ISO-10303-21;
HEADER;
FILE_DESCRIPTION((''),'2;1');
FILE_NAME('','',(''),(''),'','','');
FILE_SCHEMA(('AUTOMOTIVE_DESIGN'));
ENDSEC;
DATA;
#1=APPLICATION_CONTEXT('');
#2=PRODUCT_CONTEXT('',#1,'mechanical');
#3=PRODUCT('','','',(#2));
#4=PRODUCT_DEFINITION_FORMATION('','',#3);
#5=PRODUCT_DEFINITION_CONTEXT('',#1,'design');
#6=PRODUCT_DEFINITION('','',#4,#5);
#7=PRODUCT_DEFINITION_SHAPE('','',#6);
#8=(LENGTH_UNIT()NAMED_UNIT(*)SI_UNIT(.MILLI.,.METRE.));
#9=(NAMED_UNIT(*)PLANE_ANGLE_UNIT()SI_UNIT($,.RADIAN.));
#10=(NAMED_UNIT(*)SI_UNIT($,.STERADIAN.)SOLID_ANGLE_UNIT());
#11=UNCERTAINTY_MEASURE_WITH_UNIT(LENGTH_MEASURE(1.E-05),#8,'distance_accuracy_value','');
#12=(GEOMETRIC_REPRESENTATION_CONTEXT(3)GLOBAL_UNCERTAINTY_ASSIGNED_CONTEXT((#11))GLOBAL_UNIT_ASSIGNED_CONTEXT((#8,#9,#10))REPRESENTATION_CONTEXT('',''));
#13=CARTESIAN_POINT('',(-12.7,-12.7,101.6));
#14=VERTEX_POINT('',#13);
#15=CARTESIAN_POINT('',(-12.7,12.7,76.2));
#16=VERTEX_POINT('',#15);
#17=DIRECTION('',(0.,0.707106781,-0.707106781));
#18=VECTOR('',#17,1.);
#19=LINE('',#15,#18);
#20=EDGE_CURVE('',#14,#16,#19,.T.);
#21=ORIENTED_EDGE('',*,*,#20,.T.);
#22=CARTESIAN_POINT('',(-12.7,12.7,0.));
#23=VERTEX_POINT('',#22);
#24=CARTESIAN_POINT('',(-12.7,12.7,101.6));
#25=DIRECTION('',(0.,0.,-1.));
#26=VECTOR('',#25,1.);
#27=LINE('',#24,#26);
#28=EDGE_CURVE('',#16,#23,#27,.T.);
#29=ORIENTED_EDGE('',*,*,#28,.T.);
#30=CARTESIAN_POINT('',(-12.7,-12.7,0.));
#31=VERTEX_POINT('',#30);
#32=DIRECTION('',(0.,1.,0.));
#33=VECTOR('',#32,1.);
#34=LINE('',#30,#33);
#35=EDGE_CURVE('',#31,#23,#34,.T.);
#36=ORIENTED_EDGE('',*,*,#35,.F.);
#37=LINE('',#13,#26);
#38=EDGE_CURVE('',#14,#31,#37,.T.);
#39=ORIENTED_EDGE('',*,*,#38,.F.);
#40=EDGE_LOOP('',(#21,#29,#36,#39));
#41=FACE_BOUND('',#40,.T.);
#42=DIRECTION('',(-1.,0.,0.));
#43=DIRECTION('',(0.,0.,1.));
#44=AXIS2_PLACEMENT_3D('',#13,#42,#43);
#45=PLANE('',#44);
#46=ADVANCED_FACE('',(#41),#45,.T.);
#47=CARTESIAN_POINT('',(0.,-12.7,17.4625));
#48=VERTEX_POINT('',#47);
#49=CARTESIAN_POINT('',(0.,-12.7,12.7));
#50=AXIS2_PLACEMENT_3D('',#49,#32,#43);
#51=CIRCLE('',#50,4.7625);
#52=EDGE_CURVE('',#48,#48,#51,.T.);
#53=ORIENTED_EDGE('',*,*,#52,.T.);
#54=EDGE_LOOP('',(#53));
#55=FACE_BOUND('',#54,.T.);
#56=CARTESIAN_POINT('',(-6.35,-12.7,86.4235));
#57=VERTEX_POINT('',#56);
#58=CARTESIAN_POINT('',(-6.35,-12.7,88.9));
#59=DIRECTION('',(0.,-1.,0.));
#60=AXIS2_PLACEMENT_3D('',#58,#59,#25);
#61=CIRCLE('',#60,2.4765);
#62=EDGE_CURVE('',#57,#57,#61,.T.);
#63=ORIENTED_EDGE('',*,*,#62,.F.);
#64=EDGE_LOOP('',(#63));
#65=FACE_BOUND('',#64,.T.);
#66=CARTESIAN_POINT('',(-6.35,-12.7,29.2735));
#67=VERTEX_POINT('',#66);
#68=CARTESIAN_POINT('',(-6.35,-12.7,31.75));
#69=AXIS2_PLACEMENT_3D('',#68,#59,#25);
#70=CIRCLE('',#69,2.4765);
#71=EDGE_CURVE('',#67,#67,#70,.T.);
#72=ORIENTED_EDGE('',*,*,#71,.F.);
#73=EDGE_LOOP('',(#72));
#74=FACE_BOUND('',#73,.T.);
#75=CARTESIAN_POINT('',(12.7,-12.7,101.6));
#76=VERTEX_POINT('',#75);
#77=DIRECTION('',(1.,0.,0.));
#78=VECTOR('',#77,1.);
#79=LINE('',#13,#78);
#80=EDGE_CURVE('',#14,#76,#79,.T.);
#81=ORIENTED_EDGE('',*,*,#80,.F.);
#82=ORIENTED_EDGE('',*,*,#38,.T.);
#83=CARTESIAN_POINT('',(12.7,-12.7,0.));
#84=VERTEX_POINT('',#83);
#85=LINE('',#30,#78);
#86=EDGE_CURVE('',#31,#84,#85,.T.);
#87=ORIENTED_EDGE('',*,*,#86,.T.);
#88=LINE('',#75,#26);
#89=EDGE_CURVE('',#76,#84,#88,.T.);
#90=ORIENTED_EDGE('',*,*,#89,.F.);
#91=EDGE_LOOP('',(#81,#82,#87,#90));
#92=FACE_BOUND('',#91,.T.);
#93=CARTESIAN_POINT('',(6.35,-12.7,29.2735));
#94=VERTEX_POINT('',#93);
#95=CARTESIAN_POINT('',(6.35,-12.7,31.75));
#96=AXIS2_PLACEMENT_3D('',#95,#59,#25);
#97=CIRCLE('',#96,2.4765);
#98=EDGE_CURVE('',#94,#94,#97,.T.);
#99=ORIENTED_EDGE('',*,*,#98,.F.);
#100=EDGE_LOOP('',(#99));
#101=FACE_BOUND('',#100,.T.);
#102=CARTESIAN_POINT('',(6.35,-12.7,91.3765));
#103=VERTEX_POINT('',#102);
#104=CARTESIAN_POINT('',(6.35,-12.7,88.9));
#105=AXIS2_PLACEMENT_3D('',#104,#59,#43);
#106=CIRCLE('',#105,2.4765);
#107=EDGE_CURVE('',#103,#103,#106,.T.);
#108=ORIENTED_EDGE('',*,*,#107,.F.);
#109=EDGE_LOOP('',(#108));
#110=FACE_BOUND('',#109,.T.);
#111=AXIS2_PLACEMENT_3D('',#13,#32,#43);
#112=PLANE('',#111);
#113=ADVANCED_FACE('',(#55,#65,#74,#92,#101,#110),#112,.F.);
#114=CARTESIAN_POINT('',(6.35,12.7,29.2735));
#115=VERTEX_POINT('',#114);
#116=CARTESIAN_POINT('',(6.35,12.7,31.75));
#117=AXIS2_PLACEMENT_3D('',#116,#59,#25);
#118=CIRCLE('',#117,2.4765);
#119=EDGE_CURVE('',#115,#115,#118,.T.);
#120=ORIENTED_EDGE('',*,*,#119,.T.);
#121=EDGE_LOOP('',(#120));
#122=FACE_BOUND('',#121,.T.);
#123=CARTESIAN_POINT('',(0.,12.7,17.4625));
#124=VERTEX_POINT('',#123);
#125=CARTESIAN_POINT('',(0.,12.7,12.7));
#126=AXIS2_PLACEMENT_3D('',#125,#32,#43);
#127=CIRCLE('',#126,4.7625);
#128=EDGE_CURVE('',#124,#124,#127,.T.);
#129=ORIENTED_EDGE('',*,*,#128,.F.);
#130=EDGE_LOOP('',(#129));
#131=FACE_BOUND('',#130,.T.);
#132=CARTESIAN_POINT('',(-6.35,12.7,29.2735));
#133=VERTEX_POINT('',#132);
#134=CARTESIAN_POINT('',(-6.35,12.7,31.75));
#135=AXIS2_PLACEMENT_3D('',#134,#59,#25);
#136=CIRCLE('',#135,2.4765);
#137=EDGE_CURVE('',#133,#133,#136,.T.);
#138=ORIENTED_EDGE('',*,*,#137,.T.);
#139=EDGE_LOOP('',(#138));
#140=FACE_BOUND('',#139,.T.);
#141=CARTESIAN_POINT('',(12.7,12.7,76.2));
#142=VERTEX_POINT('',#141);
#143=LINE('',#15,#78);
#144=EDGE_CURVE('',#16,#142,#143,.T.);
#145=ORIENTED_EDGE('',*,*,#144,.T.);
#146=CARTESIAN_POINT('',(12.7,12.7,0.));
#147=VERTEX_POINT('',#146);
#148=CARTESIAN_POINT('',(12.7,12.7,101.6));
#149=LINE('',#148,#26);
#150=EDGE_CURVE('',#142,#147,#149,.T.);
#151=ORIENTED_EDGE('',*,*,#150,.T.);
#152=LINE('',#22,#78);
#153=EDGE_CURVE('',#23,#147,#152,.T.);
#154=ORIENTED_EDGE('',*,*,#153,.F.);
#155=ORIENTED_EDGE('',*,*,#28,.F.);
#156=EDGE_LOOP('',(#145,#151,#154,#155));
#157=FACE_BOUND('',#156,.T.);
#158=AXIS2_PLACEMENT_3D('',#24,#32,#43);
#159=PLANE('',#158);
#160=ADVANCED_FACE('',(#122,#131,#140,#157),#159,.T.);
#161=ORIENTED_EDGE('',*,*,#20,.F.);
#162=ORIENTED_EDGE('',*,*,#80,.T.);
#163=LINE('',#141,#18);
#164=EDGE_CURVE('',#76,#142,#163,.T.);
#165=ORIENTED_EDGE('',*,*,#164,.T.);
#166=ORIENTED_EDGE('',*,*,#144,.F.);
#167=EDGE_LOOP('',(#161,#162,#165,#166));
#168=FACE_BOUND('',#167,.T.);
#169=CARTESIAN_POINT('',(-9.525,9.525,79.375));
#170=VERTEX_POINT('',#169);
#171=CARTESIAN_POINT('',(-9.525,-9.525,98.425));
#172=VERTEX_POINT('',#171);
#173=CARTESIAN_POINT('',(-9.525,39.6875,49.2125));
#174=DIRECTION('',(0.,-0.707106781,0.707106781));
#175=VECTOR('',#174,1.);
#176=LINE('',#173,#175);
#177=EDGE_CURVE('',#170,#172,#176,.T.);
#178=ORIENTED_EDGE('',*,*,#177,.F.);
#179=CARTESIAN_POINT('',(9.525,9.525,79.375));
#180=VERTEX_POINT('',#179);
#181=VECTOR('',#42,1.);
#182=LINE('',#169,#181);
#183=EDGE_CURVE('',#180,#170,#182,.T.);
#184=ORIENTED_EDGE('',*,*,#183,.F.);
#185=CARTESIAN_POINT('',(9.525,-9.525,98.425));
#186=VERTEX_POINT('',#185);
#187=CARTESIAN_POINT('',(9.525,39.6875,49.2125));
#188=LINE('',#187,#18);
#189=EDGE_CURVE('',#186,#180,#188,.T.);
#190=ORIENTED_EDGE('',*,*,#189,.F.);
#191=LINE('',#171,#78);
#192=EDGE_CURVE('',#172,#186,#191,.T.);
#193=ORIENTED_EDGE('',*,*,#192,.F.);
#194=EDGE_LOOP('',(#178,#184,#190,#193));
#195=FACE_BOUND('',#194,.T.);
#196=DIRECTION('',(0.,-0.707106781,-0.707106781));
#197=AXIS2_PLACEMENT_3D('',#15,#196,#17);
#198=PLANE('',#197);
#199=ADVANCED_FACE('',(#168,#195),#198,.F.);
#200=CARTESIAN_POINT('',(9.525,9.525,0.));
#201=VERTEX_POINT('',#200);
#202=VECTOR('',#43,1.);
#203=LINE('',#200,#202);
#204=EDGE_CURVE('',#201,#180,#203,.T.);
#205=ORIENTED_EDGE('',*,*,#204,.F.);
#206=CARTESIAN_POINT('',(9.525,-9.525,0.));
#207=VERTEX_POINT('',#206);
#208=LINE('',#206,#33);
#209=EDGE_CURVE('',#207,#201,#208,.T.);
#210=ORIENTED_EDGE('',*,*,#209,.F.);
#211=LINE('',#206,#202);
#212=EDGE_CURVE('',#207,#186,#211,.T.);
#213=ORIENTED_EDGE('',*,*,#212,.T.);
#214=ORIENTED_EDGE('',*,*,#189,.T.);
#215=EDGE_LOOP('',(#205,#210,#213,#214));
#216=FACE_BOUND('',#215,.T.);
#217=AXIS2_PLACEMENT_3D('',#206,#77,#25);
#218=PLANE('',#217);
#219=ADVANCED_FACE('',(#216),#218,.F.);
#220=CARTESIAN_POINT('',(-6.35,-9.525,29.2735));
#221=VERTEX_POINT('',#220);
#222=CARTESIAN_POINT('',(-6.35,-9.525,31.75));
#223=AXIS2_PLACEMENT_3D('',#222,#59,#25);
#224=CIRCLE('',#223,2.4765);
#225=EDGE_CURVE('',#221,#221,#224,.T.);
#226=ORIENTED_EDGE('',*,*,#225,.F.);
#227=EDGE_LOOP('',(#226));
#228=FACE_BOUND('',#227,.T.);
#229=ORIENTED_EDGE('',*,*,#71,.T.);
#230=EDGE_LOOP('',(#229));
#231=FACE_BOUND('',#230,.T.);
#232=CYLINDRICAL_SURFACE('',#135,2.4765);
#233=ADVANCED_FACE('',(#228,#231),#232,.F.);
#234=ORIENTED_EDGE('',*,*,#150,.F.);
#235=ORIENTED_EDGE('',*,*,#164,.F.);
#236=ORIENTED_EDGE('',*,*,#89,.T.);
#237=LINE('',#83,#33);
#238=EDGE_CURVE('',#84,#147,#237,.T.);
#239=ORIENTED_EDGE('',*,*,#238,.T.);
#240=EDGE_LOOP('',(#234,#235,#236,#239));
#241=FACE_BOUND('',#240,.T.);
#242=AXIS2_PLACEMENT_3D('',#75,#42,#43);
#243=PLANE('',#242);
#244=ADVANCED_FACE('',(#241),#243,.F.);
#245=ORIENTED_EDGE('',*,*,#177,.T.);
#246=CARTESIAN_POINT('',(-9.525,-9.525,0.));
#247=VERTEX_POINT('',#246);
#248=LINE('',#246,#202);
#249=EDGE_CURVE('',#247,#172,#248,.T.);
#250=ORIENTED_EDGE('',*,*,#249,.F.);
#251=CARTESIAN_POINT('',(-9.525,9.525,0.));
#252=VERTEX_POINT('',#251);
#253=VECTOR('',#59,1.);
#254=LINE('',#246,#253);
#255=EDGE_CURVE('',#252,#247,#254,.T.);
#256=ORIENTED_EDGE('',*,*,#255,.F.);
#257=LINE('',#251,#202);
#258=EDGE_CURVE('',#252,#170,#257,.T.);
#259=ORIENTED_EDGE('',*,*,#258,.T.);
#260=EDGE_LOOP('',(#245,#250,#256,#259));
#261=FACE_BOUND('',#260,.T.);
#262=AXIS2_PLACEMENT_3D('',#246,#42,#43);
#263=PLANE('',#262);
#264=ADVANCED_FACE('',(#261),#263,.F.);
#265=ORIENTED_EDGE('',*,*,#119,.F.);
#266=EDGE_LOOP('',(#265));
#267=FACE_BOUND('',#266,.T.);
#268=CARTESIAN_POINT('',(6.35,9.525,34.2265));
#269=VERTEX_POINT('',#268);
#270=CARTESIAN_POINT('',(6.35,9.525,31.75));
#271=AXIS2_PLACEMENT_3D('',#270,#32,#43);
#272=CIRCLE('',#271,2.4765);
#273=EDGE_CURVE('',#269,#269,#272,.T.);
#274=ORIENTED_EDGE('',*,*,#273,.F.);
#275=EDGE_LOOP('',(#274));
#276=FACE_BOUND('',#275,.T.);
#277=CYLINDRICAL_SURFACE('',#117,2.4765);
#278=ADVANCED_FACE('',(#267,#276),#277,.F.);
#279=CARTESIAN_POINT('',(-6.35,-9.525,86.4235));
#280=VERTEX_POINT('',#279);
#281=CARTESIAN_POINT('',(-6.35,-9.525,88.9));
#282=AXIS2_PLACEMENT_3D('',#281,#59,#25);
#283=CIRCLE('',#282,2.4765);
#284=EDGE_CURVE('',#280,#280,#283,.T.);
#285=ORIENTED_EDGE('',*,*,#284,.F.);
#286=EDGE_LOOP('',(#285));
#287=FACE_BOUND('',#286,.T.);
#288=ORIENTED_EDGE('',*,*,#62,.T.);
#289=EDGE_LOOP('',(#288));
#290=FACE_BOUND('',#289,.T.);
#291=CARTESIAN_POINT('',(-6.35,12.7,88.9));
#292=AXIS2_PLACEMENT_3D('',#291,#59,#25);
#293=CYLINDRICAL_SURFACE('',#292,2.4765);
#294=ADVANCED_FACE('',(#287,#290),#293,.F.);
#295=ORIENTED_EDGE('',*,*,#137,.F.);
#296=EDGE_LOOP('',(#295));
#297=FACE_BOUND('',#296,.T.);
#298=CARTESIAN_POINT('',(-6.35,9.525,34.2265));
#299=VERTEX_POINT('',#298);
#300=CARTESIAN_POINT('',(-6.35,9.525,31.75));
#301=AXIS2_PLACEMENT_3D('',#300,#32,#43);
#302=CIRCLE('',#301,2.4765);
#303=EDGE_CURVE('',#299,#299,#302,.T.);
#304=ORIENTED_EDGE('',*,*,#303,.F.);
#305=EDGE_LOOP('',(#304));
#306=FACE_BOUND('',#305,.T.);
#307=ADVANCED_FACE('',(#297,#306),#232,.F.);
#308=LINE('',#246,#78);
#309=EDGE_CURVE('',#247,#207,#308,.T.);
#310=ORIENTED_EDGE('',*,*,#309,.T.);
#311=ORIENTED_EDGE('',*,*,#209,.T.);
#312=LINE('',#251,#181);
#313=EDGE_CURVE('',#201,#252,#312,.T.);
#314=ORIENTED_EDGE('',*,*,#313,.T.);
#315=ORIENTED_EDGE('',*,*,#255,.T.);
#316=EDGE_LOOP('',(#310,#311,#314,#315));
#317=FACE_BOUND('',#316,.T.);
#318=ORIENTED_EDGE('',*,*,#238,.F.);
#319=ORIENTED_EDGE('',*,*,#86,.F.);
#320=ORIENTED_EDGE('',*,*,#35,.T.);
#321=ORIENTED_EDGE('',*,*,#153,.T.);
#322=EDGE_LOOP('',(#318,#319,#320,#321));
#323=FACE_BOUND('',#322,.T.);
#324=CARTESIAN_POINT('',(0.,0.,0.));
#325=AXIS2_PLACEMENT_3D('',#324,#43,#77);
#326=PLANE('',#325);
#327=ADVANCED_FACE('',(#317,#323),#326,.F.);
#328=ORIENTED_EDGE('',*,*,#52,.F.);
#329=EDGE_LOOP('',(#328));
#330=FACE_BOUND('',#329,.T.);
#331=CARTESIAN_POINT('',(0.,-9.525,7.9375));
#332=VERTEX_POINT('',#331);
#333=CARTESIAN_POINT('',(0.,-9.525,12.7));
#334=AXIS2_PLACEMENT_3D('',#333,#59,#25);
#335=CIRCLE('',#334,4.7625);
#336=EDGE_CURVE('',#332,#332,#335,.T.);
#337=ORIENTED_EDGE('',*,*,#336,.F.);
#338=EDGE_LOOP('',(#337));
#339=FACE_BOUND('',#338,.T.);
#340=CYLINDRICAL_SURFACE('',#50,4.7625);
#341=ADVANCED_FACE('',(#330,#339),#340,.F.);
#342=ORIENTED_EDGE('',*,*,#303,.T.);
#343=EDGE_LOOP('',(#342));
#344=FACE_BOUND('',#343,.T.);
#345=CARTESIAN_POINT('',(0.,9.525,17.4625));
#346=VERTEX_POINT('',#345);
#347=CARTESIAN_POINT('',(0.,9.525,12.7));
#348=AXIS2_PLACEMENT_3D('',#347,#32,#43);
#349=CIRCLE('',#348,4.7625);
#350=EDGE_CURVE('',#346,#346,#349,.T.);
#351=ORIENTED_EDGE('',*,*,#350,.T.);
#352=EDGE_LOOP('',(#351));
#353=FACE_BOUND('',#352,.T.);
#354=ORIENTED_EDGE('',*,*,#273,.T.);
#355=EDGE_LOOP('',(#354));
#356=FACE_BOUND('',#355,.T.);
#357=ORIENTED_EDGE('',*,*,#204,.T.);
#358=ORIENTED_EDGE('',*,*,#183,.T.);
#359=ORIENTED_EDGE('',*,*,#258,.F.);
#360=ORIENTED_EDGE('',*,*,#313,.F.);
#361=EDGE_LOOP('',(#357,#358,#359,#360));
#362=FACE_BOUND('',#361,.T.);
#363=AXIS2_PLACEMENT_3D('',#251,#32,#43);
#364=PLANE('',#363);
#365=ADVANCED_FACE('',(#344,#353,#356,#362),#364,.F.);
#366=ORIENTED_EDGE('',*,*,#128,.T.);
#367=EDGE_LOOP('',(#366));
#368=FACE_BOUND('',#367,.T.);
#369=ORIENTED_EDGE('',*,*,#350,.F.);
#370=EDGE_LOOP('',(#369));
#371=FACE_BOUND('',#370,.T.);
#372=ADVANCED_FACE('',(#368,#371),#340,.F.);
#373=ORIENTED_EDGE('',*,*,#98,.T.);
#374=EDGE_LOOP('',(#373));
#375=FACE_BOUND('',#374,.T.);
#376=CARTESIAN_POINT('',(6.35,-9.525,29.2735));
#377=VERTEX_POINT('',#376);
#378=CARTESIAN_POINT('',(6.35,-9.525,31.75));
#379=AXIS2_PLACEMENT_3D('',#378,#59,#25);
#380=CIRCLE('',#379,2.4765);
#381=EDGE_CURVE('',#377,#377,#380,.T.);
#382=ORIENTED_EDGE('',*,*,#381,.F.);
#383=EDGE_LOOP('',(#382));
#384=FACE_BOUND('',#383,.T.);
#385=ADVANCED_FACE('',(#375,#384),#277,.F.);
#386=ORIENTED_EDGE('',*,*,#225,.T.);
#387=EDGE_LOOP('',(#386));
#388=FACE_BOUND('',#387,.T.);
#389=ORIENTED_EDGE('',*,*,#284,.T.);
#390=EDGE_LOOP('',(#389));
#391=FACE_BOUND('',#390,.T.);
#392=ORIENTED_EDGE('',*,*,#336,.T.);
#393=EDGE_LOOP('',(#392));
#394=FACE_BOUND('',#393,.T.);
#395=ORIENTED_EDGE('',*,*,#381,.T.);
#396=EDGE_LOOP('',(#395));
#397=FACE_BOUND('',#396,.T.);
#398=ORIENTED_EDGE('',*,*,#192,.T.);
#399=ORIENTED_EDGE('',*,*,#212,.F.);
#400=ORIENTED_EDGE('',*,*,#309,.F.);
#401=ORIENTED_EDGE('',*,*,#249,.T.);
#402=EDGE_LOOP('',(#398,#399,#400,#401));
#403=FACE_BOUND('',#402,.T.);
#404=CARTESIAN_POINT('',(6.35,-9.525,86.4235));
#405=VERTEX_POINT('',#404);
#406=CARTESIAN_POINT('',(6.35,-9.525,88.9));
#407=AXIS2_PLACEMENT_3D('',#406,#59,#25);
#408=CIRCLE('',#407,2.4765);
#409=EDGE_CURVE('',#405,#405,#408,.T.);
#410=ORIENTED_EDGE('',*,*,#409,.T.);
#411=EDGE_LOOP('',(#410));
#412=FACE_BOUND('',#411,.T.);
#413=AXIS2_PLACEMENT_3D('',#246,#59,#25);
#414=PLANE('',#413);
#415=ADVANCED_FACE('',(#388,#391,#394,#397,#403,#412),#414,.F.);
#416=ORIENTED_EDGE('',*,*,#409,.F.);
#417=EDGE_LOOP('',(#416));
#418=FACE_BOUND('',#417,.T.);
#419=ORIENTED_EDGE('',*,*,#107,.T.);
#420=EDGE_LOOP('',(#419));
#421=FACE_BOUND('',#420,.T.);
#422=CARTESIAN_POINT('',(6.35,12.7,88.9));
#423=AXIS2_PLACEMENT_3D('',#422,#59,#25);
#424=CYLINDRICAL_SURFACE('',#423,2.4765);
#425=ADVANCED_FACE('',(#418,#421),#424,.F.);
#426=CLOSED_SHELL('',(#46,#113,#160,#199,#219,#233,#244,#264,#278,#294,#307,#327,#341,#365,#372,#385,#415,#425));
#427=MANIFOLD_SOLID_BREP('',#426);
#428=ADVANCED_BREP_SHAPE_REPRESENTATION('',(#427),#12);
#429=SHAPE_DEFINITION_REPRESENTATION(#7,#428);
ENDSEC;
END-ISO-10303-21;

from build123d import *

# Parameters (mm, degrees)
SKETCH1_W           = 25.4
SKETCH1_H           = 25.4
BOSS_EXTRUDE1_DEPTH = 101.6
SKETCH2_W           = 19.05
SKETCH2_H           = 19.05
CUT_EXTRUDE1_DEPTH  = 102.6
CUT_EXTRUDE2_DEPTH  = 26.4
SKETCH5_R           = 2.4765
CUT_EXTRUDE3_DEPTH  = 26.4
SKETCH7_R           = 4.7625
CUT_EXTRUDE5_DEPTH  = 26.4
SKETCH8_R           = 2.4765
CUT_EXTRUDE6_DEPTH  = 26.4


with BuildPart() as part:
    # Sketch1 → Boss-Extrude1 (new body)
    with BuildSketch(Plane.XY):
        Rectangle(SKETCH1_W, SKETCH1_H)
    extrude(amount=BOSS_EXTRUDE1_DEPTH)

    # Sketch2 → Cut-Extrude1 (cut, through all)
    with BuildSketch(Plane.XY.offset(101.6)):
        Rectangle(SKETCH2_W, SKETCH2_H)
    extrude(amount=-CUT_EXTRUDE1_DEPTH, mode=Mode.SUBTRACT)

    # Sketch4 → Cut-Extrude2 (cut, through all)
    with BuildSketch(Plane(origin=(12.7, 0, 0), x_dir=(0, 0, -1), z_dir=(1, 0, 0))):
        Polygon((-101.6, 12.7), (-76.2, 12.7), (-101.6, -12.7), align=None)
    extrude(amount=-CUT_EXTRUDE2_DEPTH, mode=Mode.SUBTRACT)

    # Sketch5 → Cut-Extrude3 (cut, through all)
    with BuildSketch(Plane.XZ.offset(12.7)):
        with Locations((-6.35, 88.9)):
            Circle(SKETCH5_R)
        with Locations((6.35, 88.9)):
            Circle(SKETCH5_R)
    extrude(amount=-CUT_EXTRUDE3_DEPTH, mode=Mode.SUBTRACT)

    # Sketch7 → Cut-Extrude5 (cut, through all)
    with BuildSketch(Plane(origin=(0, 12.7, 0), x_dir=(1, 0, 0), z_dir=(0, 1, 0))):
        with Locations((0, -12.7)):
            Circle(SKETCH7_R)
    extrude(amount=-CUT_EXTRUDE5_DEPTH, mode=Mode.SUBTRACT)

    # Sketch8 → Cut-Extrude6 (cut, through all)
    with BuildSketch(Plane.XZ.offset(12.7)):
        with Locations((6.35, 31.75)):
            Circle(SKETCH8_R)
        with Locations((-6.35, 31.75)):
            Circle(SKETCH8_R)
    extrude(amount=-CUT_EXTRUDE6_DEPTH, mode=Mode.SUBTRACT)


solid = part.part
